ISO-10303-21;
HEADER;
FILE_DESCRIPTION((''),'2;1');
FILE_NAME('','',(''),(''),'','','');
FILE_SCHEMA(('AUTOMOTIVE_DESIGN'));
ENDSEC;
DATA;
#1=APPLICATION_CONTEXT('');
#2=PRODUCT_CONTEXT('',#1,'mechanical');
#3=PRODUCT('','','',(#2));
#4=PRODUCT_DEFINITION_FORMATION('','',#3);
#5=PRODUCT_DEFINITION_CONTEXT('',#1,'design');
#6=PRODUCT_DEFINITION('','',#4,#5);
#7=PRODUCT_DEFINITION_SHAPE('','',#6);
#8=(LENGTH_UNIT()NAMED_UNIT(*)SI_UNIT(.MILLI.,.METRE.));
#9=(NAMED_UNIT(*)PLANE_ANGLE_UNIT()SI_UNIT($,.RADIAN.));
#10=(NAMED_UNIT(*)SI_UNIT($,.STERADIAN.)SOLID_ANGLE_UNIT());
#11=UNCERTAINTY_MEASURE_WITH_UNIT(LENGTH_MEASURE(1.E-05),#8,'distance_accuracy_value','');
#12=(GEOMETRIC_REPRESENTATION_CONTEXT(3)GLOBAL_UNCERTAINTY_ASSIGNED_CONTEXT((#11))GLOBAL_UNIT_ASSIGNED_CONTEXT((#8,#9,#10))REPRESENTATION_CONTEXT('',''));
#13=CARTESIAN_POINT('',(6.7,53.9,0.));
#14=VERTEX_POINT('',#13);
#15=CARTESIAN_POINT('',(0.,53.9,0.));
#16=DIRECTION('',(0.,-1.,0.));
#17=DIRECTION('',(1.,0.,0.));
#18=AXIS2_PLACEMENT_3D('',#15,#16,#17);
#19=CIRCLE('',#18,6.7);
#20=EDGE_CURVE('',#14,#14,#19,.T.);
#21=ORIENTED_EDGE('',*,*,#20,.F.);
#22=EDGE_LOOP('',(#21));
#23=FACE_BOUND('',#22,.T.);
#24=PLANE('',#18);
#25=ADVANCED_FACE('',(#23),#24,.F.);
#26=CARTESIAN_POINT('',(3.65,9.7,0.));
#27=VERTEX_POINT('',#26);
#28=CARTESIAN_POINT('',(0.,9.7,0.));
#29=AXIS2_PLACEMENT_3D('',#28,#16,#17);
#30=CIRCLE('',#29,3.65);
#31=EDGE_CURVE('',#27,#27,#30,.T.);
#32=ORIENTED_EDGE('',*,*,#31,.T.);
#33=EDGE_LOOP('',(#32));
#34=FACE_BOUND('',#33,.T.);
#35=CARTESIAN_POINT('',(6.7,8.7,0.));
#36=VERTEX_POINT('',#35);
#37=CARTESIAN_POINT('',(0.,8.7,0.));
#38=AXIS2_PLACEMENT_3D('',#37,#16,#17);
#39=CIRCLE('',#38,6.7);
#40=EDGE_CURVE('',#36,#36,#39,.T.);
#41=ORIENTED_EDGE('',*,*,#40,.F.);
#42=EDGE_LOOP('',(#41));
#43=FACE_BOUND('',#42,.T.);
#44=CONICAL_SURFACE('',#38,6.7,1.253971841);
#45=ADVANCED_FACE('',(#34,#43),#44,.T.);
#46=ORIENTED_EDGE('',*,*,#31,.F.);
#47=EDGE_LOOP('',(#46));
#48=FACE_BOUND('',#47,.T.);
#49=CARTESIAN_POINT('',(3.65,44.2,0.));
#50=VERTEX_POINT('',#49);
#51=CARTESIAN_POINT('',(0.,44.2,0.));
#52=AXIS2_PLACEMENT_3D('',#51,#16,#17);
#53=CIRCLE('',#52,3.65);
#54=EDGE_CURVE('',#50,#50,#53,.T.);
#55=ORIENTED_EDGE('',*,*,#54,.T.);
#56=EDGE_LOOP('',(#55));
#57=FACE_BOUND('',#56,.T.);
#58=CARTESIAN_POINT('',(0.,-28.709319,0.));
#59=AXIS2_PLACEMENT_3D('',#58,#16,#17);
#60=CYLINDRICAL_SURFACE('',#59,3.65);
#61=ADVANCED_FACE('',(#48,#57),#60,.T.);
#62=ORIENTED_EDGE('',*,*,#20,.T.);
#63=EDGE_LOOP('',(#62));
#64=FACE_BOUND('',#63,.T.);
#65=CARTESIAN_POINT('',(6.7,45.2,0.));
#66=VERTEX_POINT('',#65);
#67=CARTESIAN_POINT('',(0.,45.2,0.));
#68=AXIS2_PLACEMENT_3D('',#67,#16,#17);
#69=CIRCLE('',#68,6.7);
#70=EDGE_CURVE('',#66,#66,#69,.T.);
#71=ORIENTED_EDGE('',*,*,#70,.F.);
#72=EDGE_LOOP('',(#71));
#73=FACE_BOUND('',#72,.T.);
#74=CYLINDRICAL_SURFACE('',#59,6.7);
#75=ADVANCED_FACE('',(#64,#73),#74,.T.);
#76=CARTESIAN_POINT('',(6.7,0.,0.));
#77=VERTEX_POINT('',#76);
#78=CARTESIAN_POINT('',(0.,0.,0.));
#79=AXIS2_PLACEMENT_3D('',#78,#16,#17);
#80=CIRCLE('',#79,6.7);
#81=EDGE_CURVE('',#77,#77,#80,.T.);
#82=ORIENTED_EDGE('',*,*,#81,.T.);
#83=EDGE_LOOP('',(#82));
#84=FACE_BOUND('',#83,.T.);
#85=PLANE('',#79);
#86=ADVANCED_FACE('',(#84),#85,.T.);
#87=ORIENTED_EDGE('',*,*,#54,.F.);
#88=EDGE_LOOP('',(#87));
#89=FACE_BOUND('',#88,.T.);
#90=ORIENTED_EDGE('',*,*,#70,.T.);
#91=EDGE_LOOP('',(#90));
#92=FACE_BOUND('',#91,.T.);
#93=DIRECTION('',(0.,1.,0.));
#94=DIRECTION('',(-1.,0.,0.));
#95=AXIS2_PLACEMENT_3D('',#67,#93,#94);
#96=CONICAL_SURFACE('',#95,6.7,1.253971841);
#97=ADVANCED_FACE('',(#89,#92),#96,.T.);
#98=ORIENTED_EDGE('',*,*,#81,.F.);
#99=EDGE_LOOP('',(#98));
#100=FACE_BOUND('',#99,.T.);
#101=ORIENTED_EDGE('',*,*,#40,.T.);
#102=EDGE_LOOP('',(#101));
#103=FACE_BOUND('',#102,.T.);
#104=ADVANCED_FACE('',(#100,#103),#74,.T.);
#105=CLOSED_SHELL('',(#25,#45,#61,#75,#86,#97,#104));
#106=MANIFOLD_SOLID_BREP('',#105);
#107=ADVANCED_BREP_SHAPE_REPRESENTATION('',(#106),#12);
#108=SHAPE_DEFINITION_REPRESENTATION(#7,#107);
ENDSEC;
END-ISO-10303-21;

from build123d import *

# Parameters (mm, degrees)
ESBO_O2_W = 6.7
ESBO_O2_H = 8.7


with BuildPart() as part:
    # Esboço2 → Revolução1 (revolve)
    with BuildSketch(Plane.XY):
        with Locations((-3.35, 49.55)):
            Rectangle(ESBO_O2_W, ESBO_O2_H)
        Polygon((-3.65, 44.2), (-3.65, 26.95), (0, 26.95), (0, 45.2), (-3.65, 45.2), align=None)
        Polygon((-3.65, 26.95), (-3.65, 9.7), (-3.65, 8.7), (0, 8.7), (0, 26.95), align=None)
        with Locations((-3.35, 4.35)):
            Rectangle(ESBO_O2_W, ESBO_O2_H)
        Polygon((-3.65, 9.7), (-6.7, 8.7), (-3.65, 8.7), align=None)
        Polygon((-6.7, 45.2), (-3.65, 44.2), (-3.65, 45.2), align=None)
    revolve(axis=Axis((0, -28.709318564, 0), (0, 1, 0)))


solid = part.part
